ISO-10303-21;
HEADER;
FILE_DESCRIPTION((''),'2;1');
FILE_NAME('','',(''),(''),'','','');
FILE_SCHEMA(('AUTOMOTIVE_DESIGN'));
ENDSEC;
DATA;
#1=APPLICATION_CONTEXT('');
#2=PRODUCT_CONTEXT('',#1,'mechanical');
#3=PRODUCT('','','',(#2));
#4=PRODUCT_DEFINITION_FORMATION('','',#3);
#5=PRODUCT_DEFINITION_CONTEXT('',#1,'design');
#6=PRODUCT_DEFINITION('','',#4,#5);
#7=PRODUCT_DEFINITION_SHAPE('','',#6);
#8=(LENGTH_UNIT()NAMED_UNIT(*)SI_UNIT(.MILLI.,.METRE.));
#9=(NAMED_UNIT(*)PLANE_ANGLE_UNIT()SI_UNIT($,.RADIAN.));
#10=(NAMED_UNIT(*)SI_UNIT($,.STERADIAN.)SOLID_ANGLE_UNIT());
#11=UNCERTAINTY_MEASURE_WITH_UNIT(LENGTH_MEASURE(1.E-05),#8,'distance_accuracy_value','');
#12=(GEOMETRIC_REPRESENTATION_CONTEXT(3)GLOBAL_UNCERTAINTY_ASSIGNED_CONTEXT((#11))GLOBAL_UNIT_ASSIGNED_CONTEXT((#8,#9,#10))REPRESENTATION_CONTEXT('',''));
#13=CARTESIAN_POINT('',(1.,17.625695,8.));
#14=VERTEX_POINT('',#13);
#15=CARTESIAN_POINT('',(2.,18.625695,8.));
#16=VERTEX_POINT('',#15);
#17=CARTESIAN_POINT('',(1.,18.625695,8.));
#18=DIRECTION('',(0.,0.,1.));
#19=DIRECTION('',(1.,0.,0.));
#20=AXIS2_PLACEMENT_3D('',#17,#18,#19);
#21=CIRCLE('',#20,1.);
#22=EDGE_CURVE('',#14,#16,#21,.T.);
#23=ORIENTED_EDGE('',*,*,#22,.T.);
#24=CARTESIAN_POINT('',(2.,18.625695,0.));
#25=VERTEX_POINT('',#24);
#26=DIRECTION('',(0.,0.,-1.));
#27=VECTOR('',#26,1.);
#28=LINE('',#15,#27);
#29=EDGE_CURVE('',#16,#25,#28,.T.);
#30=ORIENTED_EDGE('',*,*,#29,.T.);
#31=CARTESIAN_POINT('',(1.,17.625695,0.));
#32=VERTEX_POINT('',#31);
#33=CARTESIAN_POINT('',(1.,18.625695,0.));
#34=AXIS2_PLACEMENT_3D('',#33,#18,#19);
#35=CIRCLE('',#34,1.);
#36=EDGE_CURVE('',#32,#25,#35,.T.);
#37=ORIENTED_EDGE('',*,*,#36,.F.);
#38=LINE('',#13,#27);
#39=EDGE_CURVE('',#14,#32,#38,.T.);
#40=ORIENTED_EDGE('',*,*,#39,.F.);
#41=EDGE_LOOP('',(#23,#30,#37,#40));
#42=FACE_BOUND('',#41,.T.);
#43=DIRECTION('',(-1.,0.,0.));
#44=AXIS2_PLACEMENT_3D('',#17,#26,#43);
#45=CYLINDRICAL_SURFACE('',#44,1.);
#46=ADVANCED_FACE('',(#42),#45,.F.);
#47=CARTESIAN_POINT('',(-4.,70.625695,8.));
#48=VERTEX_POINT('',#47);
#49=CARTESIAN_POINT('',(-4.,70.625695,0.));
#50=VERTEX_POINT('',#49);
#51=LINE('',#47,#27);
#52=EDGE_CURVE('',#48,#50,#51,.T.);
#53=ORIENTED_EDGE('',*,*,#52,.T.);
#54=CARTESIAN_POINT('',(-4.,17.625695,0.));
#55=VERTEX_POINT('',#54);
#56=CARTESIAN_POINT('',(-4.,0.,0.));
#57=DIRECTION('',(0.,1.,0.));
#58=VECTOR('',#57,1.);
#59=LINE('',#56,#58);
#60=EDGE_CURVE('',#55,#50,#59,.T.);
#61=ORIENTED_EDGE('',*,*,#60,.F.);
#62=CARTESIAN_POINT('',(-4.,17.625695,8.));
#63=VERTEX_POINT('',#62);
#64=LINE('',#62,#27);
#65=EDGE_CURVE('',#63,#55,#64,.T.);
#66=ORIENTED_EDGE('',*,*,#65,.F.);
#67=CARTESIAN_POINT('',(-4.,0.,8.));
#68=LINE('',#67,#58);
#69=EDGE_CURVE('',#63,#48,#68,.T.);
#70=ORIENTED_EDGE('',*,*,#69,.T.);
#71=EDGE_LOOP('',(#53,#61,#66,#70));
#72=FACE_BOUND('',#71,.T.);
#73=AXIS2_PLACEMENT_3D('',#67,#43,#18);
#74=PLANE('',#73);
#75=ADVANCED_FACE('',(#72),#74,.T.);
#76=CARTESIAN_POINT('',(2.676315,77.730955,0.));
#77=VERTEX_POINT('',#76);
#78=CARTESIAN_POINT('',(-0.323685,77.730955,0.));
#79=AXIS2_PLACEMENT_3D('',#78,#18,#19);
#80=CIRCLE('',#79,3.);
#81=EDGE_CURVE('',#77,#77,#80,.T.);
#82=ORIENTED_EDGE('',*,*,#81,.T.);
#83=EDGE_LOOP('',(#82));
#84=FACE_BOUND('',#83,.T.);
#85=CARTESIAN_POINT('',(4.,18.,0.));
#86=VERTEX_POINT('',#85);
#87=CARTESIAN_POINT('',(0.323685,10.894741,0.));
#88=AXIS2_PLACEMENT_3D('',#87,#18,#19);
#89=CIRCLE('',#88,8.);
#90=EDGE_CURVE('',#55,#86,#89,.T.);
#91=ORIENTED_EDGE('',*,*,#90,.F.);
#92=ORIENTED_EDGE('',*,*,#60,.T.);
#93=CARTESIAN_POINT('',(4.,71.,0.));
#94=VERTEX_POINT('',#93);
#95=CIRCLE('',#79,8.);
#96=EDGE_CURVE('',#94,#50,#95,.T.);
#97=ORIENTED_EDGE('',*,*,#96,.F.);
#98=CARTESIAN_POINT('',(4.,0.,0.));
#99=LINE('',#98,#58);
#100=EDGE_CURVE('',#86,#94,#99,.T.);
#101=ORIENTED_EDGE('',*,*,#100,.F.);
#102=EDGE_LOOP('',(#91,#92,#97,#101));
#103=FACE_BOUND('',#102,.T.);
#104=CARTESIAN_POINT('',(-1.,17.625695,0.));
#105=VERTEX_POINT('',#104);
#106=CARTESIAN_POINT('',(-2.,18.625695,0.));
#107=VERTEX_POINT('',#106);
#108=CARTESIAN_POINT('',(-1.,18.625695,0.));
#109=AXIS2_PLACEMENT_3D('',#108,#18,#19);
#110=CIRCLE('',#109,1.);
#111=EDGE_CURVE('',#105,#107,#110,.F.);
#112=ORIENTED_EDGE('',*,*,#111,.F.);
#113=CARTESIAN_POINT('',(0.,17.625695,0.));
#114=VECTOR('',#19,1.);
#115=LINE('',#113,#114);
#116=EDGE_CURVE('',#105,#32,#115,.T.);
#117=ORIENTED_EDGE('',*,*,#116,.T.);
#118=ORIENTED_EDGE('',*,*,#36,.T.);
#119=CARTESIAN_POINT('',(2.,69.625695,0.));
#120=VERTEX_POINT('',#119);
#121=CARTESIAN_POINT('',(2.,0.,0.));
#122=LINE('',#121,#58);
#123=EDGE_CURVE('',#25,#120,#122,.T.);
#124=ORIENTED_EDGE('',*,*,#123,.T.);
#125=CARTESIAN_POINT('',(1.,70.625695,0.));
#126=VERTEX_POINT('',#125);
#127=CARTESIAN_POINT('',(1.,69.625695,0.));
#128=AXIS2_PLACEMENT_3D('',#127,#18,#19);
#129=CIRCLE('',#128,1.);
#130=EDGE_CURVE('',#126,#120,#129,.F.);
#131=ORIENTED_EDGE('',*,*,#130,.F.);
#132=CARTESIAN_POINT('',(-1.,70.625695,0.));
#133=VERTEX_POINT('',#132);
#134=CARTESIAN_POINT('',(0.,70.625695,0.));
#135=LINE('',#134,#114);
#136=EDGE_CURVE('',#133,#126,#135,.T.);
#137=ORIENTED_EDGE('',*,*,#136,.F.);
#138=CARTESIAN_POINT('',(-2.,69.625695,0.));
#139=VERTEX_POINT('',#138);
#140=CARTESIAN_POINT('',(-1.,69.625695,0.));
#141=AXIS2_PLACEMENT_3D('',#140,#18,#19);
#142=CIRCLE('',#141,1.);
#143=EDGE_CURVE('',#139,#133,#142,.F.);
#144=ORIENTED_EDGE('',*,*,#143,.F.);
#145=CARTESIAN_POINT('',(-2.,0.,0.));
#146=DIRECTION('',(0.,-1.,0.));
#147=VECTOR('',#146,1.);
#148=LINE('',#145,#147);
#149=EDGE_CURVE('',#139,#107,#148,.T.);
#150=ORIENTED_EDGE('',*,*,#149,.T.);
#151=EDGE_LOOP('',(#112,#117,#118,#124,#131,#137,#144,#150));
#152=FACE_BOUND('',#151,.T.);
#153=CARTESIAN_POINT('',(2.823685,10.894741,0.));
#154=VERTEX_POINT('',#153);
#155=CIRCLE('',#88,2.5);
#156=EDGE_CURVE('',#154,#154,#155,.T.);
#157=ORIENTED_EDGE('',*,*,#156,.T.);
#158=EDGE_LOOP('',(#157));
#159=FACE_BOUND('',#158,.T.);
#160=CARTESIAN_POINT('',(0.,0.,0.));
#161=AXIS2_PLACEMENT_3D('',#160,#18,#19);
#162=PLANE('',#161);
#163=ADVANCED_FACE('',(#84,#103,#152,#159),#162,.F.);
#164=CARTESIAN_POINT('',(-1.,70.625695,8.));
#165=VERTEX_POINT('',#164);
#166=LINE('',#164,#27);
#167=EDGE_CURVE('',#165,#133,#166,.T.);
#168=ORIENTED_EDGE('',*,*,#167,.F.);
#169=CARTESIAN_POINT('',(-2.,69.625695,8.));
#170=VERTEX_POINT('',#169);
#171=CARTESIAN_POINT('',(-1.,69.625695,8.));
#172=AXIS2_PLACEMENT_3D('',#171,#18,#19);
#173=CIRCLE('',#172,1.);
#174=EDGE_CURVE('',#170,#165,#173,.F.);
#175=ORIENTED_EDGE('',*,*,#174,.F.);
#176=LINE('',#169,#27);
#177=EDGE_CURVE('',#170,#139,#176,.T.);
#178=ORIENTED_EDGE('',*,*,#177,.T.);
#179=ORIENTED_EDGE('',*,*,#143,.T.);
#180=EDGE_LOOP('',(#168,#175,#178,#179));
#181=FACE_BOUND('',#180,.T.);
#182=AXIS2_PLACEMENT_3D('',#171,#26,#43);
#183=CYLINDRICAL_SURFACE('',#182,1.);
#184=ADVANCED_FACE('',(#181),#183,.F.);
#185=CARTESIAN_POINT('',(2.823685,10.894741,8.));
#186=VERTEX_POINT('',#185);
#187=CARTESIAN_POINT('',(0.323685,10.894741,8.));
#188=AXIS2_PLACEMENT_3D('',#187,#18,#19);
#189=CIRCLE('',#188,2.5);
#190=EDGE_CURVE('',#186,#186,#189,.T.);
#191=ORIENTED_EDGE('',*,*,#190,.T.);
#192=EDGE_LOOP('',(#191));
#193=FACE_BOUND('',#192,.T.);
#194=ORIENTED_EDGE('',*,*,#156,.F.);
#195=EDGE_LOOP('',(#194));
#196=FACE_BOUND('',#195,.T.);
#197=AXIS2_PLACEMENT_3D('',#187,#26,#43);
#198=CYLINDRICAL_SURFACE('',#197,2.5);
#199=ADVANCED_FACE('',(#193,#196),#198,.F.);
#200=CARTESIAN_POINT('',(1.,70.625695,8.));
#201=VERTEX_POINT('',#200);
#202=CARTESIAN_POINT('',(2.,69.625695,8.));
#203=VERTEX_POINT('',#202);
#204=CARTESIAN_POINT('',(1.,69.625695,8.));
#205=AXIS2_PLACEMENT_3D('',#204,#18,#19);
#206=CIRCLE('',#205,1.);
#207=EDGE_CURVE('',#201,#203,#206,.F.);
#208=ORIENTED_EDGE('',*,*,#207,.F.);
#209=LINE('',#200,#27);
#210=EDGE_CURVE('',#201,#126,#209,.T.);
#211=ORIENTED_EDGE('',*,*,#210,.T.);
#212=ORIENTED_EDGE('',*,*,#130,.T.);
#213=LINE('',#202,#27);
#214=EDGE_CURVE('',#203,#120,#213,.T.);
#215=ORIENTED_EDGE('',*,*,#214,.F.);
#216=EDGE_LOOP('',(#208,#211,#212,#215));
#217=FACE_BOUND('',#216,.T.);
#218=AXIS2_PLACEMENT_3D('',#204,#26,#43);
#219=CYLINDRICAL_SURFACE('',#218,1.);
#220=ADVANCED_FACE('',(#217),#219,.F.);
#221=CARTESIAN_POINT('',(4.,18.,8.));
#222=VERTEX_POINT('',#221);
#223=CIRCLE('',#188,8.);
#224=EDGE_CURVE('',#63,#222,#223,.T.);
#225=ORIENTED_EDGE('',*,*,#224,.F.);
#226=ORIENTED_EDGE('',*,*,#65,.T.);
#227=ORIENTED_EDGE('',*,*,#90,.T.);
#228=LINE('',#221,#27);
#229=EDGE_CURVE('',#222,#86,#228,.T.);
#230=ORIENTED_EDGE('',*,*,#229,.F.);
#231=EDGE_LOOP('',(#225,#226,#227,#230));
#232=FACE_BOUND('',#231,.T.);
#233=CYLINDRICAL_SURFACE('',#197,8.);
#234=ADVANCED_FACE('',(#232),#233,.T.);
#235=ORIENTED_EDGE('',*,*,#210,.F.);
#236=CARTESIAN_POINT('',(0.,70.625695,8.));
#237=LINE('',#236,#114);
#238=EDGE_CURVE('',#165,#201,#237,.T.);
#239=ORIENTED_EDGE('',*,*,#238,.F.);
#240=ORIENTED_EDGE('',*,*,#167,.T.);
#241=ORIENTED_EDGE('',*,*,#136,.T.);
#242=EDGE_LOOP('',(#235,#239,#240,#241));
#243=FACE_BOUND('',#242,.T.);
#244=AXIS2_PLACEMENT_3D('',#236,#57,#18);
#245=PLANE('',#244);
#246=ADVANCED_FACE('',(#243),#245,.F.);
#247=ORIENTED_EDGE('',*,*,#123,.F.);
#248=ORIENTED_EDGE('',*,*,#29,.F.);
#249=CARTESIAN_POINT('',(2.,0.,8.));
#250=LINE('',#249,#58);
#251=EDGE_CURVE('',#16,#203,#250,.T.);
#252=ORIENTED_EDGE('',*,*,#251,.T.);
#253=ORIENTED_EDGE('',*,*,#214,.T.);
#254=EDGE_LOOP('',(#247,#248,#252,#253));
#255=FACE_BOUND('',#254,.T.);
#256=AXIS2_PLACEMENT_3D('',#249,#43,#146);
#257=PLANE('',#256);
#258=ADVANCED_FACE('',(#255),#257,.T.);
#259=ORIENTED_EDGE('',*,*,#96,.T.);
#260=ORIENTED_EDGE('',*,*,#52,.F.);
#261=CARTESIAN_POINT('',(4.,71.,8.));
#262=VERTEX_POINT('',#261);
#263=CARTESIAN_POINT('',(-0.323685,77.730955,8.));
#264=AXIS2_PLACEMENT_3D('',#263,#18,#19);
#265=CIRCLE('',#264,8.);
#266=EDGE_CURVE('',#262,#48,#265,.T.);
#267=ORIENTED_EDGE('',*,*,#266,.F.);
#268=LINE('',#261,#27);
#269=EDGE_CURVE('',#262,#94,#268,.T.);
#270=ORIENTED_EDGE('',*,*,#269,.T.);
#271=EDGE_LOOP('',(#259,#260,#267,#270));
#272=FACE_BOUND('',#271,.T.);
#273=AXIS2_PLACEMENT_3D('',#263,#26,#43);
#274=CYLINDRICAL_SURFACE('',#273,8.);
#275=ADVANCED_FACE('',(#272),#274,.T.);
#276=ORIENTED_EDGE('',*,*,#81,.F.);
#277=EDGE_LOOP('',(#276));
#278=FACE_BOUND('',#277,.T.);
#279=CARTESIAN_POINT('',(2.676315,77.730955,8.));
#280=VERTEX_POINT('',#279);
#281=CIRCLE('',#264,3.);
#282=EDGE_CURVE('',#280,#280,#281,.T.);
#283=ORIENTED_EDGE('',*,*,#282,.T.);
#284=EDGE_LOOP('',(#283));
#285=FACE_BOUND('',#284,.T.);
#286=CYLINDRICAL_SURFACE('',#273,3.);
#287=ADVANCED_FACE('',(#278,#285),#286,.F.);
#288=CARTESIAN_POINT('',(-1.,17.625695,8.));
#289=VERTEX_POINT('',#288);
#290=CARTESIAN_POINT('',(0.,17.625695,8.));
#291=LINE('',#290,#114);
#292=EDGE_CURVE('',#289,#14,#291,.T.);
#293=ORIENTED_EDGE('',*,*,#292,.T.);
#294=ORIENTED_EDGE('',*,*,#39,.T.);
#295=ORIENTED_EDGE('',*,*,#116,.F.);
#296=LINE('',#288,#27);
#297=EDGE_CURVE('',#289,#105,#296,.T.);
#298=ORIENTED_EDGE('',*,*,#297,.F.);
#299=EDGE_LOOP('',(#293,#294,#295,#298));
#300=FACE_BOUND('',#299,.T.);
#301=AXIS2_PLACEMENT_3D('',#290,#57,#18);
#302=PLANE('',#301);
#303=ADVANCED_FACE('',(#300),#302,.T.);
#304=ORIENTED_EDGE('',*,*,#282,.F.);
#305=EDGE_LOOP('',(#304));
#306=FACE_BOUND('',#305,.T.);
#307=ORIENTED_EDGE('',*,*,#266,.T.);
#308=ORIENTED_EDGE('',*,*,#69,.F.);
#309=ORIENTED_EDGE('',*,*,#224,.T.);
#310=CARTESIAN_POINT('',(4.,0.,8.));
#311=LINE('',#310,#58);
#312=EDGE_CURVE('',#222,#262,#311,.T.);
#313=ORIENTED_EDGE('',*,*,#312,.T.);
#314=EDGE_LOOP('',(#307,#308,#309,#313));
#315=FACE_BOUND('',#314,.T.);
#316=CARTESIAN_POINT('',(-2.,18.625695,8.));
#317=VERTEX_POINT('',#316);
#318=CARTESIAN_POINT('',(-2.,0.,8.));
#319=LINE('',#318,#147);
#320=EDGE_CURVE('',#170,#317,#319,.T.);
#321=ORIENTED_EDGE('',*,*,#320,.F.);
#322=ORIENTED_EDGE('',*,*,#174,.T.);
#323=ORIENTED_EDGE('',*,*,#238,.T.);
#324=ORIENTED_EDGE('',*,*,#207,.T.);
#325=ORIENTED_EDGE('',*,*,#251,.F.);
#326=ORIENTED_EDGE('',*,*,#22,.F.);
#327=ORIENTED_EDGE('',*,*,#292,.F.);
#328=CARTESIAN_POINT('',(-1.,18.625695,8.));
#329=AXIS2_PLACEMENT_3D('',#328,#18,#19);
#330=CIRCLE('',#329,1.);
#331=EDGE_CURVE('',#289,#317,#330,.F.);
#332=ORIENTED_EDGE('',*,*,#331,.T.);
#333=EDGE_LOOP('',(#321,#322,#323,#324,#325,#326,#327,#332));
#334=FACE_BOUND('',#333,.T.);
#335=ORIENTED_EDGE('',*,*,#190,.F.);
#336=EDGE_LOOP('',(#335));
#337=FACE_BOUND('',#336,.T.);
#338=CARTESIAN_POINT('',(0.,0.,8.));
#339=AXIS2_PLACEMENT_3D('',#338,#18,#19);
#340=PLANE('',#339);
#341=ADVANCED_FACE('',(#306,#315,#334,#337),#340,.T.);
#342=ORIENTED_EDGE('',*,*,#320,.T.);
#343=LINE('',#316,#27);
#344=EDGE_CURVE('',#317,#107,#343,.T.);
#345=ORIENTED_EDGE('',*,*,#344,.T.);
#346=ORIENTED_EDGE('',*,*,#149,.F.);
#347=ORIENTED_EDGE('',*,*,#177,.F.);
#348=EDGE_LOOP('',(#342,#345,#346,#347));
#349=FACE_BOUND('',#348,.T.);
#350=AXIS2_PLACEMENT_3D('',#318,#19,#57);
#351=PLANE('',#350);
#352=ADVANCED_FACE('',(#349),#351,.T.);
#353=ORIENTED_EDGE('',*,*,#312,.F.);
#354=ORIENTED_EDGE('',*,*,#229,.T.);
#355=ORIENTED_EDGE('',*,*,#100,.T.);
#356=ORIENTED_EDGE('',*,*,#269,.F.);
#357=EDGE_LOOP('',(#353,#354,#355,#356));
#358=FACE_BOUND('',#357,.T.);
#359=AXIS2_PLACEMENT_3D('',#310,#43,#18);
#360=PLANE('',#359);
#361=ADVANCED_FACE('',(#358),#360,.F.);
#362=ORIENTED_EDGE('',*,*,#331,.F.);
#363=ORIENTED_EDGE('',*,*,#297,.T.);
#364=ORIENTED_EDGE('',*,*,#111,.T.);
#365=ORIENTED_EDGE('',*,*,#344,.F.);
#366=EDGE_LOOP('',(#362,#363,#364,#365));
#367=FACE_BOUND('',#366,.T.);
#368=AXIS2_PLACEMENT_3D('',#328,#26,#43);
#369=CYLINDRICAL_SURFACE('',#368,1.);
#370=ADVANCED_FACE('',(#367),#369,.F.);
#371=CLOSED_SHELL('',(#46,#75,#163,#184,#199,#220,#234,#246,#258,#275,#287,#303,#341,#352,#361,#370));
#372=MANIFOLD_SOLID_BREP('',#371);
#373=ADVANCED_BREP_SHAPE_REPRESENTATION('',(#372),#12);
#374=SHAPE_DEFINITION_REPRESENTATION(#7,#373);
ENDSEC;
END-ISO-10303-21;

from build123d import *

# Parameters (mm, degrees)
SKETCH1_R           = 3
SKETCH1_R_2         = 2.5
BOSS_EXTRUDE1_DEPTH = 8


with BuildPart() as part:
    # Sketch1 → Boss-Extrude1 (new body)
    with BuildSketch(Plane.XY):
        with BuildLine():
            Line((4, 18), (4, 71))
            ThreePointArc((4, 71), (-0.697580374, 85.722212416), (-4, 70.625695453))
            Line((-4, 70.625695453), (-4, 17.625695453))
            ThreePointArc((-4, 17.625695453), (0.697580374, 2.903483037), (4, 18))
        make_face()
        with Locations((-0.323684855, 77.730954559)):
            Circle(SKETCH1_R, mode=Mode.SUBTRACT)
        with Locations((0.323684855, 10.894740894)):
            Circle(SKETCH1_R_2, mode=Mode.SUBTRACT)
        with BuildLine():
            Line((-2, 69.625695453), (-2, 18.625695453))
            ThreePointArc((-2, 18.625695453), (-1.707106781, 17.918588672), (-1, 17.625695453))
            Line((-1, 17.625695453), (1, 17.625695453))
            ThreePointArc((1, 17.625695453), (1.707106781, 17.918588672), (2, 18.625695453))
            Line((2, 18.625695453), (2, 69.625695453))
            ThreePointArc((2, 69.625695453), (1.707106781, 70.332802234), (1, 70.625695453))
            Line((1, 70.625695453), (-1, 70.625695453))
            ThreePointArc((-1, 70.625695453), (-1.707106781, 70.332802234), (-2, 69.625695453))
        make_face(mode=Mode.SUBTRACT)
    extrude(amount=BOSS_EXTRUDE1_DEPTH)


solid = part.part
